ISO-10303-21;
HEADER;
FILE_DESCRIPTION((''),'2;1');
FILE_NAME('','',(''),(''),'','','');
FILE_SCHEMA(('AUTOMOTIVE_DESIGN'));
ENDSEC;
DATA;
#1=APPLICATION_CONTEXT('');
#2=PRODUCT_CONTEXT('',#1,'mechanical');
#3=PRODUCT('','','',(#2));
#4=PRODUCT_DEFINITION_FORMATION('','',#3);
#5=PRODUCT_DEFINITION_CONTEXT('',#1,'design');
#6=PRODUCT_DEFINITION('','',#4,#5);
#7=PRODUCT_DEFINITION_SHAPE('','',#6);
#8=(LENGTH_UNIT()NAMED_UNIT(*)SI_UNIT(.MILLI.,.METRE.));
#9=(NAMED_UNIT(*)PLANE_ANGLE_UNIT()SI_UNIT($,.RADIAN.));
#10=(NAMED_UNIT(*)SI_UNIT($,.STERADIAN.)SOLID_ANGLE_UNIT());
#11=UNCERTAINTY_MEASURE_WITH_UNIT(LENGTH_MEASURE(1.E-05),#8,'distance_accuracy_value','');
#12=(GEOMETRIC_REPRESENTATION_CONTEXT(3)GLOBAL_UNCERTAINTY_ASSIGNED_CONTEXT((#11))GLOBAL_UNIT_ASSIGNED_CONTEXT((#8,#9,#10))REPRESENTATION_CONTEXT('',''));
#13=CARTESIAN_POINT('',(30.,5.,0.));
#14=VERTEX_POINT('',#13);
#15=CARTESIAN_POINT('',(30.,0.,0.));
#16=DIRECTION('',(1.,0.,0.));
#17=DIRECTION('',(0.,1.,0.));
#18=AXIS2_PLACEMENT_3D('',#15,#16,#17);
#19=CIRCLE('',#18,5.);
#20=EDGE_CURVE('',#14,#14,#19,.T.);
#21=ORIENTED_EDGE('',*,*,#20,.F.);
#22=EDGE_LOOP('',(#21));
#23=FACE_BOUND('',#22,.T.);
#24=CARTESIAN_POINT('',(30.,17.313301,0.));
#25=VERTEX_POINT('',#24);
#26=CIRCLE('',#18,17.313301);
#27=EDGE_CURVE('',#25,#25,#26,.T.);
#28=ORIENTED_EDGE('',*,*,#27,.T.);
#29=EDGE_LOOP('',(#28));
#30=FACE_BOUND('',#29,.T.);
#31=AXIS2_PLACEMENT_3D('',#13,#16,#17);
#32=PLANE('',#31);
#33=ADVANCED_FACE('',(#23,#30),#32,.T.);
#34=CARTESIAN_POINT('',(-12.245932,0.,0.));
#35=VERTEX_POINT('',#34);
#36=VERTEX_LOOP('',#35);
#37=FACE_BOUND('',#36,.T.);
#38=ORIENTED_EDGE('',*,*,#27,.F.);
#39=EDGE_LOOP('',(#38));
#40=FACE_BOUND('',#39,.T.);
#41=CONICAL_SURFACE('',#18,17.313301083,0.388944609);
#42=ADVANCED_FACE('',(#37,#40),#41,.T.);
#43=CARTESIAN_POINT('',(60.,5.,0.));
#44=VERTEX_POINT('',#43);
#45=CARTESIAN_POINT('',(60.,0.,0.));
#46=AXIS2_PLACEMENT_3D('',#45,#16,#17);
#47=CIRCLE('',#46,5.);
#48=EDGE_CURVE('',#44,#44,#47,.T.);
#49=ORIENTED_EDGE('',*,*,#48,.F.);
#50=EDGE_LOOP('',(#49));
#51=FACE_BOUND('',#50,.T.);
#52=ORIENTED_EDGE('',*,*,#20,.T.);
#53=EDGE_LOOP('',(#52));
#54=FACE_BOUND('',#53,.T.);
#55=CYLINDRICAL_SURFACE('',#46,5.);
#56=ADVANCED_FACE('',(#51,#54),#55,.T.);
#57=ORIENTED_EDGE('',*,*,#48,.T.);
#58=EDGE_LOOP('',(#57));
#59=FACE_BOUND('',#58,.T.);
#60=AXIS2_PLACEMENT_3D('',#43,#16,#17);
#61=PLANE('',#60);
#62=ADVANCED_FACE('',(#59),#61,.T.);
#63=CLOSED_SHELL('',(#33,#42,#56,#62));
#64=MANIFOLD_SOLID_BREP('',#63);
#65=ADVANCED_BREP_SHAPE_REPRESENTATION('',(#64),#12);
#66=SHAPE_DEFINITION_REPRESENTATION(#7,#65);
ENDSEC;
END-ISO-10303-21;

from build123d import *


with BuildPart() as part:
    # Skizze8 → Rotation3 (revolve)
    with BuildSketch(Plane.XY):
        Polygon((-12.245932067, 0), (30, 17.313301083), (30, 5), (60, 5), (60, 0), align=None)
    revolve(axis=Axis((60, 0, 0), (-1, 0, 0)))


solid = part.part
